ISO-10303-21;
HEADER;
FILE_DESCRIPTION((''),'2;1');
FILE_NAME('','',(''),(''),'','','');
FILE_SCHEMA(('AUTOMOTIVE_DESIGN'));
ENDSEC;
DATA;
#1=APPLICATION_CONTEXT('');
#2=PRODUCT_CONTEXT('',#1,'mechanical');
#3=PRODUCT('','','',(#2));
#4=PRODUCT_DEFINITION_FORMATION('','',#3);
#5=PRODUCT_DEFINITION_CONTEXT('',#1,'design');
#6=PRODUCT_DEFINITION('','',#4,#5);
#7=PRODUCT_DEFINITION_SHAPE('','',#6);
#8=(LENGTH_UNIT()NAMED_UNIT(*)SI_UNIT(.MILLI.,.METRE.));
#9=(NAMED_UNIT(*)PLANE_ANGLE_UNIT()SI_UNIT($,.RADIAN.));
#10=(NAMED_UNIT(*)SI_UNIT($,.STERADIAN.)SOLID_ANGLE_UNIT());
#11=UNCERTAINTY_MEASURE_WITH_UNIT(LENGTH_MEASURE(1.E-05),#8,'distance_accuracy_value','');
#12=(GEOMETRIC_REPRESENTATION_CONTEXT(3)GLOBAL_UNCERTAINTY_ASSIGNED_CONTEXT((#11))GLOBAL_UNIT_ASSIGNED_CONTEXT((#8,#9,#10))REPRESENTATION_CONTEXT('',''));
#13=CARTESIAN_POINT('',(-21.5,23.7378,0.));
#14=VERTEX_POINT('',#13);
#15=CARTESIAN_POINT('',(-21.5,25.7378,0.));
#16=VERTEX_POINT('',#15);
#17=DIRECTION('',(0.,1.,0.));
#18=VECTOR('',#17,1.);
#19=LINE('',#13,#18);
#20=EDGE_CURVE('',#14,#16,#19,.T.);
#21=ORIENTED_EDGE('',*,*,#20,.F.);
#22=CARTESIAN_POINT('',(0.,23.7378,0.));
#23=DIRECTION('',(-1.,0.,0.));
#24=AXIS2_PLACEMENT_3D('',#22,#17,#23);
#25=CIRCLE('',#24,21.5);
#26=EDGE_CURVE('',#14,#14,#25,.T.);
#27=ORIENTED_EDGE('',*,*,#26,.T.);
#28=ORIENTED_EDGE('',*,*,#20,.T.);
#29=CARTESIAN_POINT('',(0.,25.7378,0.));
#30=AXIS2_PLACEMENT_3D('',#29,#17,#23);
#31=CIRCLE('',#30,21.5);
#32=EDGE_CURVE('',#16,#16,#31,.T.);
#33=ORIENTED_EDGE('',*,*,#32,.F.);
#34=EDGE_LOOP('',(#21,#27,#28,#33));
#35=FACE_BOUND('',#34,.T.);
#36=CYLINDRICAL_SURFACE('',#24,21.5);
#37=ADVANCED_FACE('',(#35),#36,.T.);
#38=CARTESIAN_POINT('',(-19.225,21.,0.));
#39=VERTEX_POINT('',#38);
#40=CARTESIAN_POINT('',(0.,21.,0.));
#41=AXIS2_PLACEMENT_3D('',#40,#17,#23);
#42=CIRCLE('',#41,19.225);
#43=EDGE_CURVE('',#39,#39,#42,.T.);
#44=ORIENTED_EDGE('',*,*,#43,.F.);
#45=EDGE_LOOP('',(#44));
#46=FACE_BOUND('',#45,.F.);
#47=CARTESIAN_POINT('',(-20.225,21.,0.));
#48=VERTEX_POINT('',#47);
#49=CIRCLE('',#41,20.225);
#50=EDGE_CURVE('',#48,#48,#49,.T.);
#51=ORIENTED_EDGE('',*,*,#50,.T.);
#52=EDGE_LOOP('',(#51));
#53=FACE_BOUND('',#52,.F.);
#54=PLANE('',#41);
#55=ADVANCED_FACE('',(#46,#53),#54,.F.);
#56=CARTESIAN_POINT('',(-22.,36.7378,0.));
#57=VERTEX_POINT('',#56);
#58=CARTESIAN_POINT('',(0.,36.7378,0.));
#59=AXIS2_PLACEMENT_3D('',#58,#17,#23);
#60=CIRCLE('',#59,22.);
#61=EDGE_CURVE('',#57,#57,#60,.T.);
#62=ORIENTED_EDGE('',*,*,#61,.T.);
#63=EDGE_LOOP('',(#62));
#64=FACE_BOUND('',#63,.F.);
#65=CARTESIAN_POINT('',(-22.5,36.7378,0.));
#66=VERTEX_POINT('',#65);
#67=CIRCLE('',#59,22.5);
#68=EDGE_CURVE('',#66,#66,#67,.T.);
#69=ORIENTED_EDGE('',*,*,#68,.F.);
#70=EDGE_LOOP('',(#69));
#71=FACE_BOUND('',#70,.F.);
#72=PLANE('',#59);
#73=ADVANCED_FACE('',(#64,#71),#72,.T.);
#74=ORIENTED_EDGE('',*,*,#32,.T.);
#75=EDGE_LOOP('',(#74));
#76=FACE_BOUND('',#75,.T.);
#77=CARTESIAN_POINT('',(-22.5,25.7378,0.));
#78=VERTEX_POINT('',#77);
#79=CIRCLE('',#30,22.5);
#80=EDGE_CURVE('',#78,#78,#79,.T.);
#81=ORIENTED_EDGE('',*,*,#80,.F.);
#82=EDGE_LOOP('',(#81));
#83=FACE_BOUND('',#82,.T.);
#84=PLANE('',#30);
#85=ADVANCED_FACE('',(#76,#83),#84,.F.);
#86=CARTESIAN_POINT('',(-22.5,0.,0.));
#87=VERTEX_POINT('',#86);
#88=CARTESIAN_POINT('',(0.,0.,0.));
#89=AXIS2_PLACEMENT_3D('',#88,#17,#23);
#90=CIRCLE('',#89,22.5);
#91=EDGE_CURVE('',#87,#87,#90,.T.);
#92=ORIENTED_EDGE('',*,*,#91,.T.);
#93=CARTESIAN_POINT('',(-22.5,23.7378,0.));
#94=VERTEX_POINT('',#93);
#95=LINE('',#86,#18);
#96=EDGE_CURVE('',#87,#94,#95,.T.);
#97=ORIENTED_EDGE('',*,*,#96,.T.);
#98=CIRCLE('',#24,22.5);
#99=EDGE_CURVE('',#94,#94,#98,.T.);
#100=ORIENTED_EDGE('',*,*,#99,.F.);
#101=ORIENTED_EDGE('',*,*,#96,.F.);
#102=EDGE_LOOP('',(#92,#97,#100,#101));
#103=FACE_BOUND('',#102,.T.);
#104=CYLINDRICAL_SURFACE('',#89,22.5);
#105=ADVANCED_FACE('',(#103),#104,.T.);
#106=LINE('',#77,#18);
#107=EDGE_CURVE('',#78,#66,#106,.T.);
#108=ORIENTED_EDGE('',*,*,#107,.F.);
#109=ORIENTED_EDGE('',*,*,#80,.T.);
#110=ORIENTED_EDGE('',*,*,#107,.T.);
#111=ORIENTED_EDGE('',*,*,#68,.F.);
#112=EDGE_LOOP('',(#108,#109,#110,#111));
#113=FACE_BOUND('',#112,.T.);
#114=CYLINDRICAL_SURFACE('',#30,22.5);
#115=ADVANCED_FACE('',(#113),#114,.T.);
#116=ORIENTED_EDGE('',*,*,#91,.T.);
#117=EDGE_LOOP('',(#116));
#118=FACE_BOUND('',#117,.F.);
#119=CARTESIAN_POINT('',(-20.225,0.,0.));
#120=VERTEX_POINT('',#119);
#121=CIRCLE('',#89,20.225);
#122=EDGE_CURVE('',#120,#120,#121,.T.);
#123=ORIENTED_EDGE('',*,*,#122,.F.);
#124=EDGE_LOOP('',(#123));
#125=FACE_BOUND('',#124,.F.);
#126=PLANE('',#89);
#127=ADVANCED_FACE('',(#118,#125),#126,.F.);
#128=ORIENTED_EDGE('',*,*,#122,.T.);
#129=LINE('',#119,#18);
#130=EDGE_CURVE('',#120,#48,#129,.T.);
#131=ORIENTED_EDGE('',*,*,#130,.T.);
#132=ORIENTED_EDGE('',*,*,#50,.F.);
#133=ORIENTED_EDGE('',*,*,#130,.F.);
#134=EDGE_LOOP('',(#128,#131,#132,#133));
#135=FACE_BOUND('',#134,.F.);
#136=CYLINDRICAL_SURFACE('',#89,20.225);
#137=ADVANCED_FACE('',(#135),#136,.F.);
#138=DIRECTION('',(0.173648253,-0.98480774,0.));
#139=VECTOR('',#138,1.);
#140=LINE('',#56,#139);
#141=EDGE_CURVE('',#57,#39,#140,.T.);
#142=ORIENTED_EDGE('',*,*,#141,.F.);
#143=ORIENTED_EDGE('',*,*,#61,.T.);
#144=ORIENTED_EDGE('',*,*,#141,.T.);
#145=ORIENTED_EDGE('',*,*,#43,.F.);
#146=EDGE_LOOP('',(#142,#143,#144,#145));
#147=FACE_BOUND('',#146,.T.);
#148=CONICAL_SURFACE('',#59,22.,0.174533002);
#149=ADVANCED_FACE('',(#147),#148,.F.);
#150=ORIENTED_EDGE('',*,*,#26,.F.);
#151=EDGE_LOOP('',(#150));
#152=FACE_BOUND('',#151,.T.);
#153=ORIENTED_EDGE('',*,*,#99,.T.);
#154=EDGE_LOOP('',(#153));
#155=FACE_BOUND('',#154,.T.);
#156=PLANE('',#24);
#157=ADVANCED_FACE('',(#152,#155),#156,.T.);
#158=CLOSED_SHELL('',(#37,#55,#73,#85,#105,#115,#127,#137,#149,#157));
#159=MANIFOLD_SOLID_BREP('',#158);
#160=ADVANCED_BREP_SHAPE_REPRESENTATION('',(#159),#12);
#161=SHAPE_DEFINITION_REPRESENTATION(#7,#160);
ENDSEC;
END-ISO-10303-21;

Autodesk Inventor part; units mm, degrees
ref_plane "YZ Plane" through (0, 0, 0) normal (1, 0, 0) x (0, 1, 0)
ref_plane "XZ Plane" through (0, 0, 0) normal (0, 1, 0) x (-1, 0, 0)
ref_plane "XY Plane" through (0, 0, 0) normal (0, 0, 1) x (1, 0, 0)
sketch "Sketch1" plane through (0, 0, 0) normal (0, 0, 1) x (1, 0, 0)
  line L0 (-19.225, -30) -> (-22.225, -30) construction
  line L1 (-22.225, -30) -> (-22.225, -20) construction
  line L2 (-22.225, -20) -> (-19.225, -20) construction
  line L3 (-19.225, -20) -> (-19.225, -30) construction
  line L4 (-22, 36.7378) -> (-19.225, 21)
  line L5 (-22.5, 0) -> (-22.5, 23.7378)
  line L6 (-22.5, 23.7378) -> (-21.5, 23.7378)
  line L7 (-21.5, 23.7378) -> (-21.5, 25.7378)
  line L8 (-21.5, 25.7378) -> (-22.5, 25.7378)
  line L9 (-22.5, 25.7378) -> (-22.5, 36.7378)
  line L10 (-22, 36.7378) -> (-22.5, 36.7378)
  line L11 (0, -43.3476) -> (0, 50.0854) projected
  line L12 (-19.225, -20) -> (-20.225, -20) construction
  line L13 (-20.225, -20) -> (-20.225, 0) construction
  line L14 (-20.225, 0) -> (-19.225, 0) construction
  line L15 (-19.225, 0) -> (-19.225, -20) construction
  line L16 (-22.5, 0) -> (-20.225, 0)
  line L17 (-20.225, 0) -> (-20.225, 21)
  line L18 (-20.225, 21) -> (-19.225, 21)
  point P0 (0, 0)
  dimension "d0" = 10
  dimension "d1" = 22.225
  dimension "d3" = 3
  dimension "d5" = 11
  dimension "d6" = 2
  dimension "d7" = 22.5
  dimension "d10" = 21
  dimension "d12" = 1
  dimension "d16" = 20
  dimension "d17" = 1
  dimension "d18" = 0.5
  dimension "d19" = 10
revolve "Revolution1" add sketch "Sketch1" angle 360 about axis through (0, -10, 0) along (0, 1, 0)
properties part number "CapCone" material "Brass, Soft Yellow, Welded"
